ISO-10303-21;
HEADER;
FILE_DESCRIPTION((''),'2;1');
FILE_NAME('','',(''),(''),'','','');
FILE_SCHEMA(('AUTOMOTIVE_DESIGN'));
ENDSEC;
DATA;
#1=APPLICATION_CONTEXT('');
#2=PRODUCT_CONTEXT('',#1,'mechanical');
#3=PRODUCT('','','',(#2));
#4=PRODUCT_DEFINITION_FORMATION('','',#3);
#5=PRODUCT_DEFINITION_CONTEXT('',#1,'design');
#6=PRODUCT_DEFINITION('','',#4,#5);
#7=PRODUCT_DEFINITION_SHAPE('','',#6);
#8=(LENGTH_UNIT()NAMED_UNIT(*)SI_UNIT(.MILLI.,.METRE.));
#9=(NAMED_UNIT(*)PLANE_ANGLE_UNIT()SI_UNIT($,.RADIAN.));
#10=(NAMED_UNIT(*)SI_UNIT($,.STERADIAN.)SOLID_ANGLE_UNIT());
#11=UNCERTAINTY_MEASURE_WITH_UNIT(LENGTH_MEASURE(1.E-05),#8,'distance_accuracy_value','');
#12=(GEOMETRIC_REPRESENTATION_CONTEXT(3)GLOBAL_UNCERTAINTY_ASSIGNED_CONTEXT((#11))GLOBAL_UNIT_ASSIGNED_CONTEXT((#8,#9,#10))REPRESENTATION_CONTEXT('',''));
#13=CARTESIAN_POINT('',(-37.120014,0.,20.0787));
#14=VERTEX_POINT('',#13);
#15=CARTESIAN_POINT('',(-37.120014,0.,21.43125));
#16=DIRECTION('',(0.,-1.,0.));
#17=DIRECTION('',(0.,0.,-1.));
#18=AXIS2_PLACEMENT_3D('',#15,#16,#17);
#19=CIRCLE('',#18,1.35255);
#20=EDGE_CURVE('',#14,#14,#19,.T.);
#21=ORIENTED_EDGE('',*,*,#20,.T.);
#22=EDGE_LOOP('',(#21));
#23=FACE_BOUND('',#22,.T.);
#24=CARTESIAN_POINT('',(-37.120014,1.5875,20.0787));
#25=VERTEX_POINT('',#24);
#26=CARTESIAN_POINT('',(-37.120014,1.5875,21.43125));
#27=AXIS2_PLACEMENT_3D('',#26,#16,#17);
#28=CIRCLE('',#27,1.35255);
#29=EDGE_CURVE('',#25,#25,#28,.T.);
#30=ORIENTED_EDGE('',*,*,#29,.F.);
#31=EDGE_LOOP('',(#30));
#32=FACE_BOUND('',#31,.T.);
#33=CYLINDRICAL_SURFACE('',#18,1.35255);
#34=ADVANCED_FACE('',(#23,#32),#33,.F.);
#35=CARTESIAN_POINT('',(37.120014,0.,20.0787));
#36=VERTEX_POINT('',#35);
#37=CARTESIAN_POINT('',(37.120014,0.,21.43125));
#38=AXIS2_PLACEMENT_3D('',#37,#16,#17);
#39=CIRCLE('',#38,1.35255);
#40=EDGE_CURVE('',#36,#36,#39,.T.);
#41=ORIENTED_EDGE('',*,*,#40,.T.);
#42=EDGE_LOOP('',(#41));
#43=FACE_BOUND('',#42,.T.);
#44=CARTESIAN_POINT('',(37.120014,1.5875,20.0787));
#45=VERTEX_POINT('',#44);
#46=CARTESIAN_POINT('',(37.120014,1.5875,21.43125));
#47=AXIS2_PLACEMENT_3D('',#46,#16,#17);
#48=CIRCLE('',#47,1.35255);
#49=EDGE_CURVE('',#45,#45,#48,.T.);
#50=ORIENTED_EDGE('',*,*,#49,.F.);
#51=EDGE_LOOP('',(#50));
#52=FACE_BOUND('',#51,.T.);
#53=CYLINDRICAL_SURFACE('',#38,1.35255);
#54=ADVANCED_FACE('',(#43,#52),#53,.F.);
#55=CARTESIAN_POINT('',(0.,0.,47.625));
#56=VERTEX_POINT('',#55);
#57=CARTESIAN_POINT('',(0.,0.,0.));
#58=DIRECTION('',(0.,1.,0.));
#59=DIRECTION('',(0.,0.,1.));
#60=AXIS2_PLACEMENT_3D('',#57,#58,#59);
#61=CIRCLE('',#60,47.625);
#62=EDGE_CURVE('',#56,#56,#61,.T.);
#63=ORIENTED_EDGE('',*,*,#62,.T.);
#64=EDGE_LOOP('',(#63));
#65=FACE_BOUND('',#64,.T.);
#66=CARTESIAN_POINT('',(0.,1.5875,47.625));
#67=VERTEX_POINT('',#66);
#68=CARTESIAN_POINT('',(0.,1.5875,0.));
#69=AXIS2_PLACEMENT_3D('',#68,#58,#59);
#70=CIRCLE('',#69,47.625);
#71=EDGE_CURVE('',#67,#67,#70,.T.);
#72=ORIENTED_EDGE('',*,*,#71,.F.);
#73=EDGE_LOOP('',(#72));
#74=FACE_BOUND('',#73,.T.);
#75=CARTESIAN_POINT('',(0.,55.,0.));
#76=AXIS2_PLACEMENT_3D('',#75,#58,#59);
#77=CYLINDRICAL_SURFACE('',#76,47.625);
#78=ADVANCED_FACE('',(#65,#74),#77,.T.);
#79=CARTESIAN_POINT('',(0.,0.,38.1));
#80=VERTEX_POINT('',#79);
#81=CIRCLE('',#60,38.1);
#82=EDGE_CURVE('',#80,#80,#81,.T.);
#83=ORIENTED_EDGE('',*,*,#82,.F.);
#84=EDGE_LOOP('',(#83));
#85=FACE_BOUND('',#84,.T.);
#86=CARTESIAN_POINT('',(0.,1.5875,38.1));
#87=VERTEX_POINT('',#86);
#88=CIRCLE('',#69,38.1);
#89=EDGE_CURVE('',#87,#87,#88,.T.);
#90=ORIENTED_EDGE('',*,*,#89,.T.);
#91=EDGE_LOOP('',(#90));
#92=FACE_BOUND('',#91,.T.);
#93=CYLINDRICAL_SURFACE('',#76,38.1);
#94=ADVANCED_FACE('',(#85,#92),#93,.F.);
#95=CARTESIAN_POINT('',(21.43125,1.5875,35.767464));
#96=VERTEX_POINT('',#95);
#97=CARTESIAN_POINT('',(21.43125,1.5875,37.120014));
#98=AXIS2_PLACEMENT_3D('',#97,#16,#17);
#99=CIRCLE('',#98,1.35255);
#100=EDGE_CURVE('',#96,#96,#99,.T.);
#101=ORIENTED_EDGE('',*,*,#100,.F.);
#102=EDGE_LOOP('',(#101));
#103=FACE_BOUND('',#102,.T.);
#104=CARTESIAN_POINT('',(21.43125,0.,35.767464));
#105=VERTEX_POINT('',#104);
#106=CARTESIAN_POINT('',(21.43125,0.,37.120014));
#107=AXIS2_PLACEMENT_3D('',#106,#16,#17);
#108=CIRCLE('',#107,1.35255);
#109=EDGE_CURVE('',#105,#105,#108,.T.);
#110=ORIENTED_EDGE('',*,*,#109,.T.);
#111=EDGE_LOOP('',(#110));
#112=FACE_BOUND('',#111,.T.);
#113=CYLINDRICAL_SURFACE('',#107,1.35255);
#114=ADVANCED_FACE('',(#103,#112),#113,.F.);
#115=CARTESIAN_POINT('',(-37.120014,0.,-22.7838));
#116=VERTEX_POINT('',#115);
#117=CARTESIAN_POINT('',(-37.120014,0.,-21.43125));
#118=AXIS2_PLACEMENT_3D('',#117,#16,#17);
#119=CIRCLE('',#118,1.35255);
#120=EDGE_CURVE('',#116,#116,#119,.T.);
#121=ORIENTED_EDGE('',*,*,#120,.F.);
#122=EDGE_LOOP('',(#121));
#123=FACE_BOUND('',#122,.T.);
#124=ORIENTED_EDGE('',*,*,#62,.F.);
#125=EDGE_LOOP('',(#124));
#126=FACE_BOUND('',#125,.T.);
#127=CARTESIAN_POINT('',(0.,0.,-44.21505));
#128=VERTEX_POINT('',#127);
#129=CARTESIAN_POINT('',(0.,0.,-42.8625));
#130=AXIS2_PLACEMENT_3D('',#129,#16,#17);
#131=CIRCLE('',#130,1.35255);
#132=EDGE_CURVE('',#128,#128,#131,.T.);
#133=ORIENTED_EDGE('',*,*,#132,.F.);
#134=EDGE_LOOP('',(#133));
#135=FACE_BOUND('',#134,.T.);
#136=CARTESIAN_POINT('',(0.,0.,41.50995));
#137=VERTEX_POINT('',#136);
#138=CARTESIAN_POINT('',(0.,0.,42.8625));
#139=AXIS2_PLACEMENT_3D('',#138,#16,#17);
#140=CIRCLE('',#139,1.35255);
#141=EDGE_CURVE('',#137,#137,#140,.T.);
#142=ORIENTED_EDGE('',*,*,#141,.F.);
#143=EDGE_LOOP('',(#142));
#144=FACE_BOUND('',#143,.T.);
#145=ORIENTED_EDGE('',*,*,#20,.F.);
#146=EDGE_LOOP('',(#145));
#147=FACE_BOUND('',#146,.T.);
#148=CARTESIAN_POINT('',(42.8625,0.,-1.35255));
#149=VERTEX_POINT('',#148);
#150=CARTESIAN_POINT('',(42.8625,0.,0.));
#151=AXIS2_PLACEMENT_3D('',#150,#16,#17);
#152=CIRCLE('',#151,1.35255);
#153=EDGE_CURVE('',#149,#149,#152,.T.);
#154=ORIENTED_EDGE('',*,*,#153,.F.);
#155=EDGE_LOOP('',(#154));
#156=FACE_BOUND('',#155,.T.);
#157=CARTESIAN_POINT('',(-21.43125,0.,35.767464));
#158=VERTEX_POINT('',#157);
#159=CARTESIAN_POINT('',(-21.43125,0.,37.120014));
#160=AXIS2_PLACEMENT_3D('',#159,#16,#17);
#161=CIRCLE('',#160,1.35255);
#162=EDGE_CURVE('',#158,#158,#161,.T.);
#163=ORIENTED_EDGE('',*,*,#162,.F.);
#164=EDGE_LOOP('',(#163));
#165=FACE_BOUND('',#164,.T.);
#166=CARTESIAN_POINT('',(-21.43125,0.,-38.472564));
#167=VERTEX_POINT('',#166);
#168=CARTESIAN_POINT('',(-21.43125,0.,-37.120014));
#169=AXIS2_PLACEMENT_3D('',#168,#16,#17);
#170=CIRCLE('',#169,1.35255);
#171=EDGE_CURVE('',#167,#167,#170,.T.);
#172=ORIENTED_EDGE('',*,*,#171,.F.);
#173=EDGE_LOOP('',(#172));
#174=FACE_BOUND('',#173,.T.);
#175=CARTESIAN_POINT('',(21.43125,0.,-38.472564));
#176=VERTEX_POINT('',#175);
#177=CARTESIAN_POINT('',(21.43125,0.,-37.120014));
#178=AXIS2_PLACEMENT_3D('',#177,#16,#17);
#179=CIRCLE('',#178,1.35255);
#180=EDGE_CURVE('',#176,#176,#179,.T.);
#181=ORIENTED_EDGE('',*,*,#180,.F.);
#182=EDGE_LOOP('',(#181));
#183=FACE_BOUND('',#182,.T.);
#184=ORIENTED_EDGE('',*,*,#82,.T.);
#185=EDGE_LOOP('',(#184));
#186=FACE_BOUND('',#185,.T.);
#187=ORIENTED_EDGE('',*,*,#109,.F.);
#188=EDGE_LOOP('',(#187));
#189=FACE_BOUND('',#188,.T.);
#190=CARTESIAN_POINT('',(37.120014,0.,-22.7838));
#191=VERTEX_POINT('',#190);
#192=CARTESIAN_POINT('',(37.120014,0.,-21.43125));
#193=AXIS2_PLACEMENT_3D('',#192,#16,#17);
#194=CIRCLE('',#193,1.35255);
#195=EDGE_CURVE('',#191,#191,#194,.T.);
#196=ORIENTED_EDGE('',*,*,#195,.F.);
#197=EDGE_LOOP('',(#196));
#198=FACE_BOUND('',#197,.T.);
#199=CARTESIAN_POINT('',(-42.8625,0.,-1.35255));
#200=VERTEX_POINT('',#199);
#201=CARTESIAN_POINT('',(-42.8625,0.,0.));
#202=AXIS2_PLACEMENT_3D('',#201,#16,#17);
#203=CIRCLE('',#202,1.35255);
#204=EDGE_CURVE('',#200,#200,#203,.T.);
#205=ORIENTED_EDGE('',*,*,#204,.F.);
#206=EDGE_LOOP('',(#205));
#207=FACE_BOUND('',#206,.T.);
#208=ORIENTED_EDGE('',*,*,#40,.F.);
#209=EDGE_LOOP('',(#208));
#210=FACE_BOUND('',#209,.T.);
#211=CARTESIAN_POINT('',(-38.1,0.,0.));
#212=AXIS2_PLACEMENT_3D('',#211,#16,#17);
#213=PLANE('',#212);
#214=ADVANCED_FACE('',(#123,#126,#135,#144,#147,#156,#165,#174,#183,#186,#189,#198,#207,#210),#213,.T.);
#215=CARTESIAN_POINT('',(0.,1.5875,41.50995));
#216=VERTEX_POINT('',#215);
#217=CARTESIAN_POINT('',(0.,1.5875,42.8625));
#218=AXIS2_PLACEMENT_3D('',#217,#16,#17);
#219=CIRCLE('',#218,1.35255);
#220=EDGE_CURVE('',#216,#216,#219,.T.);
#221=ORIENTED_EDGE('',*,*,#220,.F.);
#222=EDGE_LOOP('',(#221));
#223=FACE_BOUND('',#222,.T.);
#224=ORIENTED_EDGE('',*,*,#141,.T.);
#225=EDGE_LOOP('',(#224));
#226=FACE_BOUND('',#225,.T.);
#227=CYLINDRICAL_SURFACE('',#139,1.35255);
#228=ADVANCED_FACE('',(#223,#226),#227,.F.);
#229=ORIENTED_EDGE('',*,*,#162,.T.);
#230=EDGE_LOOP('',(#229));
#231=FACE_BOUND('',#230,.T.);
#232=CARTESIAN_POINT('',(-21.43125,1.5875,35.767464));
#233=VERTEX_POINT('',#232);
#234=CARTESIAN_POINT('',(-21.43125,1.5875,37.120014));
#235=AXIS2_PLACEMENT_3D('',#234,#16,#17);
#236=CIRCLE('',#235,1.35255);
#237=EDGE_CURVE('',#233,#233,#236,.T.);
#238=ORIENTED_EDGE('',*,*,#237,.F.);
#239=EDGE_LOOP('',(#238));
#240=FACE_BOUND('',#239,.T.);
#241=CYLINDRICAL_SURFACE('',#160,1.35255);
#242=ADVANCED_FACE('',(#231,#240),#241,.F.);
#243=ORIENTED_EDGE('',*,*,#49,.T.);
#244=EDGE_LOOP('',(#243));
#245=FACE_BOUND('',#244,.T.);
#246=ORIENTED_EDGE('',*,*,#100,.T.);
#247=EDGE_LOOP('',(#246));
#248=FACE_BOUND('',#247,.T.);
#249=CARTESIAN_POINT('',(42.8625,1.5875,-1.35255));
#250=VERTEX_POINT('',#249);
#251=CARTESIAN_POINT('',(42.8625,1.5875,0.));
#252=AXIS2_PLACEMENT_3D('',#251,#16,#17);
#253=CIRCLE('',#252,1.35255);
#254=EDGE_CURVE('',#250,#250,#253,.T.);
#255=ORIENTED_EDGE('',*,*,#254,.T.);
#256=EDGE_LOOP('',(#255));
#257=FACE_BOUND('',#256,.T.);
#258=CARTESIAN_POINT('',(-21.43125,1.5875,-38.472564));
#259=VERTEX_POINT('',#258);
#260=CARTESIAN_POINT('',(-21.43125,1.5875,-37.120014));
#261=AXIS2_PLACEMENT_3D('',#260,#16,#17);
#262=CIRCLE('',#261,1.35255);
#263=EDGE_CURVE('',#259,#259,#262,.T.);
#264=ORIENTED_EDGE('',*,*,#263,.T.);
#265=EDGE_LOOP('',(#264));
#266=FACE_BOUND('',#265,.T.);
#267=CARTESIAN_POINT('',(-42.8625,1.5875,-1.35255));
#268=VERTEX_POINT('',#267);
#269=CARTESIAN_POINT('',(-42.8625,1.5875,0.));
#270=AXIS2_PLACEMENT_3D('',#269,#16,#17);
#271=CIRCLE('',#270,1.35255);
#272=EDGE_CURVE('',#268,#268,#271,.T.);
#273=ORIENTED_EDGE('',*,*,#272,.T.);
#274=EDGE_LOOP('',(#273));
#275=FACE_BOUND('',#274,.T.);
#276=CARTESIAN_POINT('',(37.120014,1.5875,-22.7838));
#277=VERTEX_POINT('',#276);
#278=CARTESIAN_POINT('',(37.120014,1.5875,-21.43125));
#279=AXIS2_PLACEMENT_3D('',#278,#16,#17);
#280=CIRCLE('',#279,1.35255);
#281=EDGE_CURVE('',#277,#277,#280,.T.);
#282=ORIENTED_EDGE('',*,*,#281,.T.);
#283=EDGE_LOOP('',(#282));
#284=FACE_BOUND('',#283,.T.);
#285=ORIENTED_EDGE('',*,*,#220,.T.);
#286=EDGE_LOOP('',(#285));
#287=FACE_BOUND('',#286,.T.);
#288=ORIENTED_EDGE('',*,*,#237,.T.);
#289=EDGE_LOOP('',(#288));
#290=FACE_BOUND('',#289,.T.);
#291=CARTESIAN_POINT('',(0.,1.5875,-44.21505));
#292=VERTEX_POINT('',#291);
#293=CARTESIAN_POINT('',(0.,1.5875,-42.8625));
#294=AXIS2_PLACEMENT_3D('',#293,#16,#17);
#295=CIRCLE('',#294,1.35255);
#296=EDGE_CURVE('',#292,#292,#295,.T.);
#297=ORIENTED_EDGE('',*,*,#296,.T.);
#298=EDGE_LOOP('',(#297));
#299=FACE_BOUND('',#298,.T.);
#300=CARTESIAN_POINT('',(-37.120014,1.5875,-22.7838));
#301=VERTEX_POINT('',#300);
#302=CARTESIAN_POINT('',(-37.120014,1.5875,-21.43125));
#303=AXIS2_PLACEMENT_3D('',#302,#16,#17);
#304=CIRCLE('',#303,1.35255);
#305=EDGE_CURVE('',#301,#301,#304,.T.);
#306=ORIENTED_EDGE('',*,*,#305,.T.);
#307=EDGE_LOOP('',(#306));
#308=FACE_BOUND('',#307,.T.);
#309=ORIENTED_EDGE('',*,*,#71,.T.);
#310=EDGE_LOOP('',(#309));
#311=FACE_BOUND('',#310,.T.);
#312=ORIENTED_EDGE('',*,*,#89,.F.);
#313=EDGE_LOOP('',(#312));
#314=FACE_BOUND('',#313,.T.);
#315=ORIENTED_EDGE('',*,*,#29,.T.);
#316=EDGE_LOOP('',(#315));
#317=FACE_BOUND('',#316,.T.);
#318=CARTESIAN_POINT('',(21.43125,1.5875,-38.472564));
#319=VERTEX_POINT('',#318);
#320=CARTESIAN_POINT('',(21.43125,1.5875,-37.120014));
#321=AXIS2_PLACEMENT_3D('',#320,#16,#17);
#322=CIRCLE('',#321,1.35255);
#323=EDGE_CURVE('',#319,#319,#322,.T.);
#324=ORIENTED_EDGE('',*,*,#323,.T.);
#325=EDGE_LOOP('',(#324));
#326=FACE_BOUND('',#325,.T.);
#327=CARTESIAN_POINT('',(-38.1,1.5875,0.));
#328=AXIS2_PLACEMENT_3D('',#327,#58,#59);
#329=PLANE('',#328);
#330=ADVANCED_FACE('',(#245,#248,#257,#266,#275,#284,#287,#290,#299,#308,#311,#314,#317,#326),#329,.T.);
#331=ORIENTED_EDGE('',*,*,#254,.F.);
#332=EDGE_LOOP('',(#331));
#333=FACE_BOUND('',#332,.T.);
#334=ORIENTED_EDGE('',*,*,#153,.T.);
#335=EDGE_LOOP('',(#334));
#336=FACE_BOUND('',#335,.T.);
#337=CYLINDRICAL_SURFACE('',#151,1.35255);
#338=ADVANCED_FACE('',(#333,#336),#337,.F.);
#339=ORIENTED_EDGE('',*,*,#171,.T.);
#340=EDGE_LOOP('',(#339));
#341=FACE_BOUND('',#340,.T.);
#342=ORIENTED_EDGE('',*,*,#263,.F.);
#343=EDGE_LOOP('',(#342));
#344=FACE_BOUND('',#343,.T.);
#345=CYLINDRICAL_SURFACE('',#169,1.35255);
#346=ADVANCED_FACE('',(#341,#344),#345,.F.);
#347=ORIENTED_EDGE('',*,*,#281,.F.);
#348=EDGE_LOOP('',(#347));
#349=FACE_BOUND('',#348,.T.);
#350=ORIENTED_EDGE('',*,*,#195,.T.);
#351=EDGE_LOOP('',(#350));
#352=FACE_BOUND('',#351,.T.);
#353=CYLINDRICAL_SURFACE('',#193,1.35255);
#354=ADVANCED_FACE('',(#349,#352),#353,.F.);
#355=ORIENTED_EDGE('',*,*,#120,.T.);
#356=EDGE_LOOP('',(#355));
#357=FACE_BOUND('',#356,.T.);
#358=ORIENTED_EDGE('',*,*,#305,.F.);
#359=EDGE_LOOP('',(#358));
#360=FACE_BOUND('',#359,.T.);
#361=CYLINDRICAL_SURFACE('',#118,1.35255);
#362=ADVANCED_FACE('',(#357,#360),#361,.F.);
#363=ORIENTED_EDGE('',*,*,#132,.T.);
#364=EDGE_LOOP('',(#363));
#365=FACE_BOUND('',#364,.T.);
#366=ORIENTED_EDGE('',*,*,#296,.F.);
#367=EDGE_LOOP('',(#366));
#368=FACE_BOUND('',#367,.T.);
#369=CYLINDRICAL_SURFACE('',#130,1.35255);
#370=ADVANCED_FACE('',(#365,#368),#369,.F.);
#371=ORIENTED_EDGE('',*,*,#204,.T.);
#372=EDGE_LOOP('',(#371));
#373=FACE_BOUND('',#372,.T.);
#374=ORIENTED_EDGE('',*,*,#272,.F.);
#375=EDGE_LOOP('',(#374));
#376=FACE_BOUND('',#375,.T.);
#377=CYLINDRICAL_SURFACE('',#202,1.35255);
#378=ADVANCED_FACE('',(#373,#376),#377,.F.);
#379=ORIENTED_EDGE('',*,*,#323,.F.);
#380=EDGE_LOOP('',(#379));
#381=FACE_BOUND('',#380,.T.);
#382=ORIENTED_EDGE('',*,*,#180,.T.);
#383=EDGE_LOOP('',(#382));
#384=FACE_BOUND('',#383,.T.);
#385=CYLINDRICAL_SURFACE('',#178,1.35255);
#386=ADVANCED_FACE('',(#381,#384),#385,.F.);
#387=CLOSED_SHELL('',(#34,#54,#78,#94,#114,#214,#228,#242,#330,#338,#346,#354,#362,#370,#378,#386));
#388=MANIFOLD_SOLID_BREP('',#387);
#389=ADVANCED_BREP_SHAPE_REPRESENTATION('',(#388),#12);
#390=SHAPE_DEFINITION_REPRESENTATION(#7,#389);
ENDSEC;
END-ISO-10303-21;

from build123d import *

# Parameters (mm, degrees)
SKETCH1_W                    = 9.525
SKETCH1_H                    = 1.5875
F_36_0_1065_DIAMETER_HOLE1_D = 2.7051
SCREW_PASSTHROUGHS_COUNT     = 12


with BuildPart() as part:
    # Sketch1 → Main (revolve)
    with BuildSketch(Plane.XY):
        with Locations((-42.8625, 0.79375)):
            Rectangle(SKETCH1_W, SKETCH1_H)
    revolve(axis=Axis((0, 55, 0), (0, -1, 0)))

    # #36 (0.1065) Diameter Hole1 (through all)
    with Locations(Plane(origin=(0, 0, 0), x_dir=(-1, 0, 0), z_dir=(0, -1, 0))):
        with Locations((42.8625, 0)):
            f_36_0_1065_diameter_hole1 = Hole(F_36_0_1065_DIAMETER_HOLE1_D / 2)

    # Screw Passthroughs: #36 (0.1065) Diameter Hole1 ×12 about axis
    screw_passthroughs_axis = Axis((0, 0, 0), (0, 1, 0))
    for i in range(1, SCREW_PASSTHROUGHS_COUNT):
        add(f_36_0_1065_diameter_hole1.rotate(screw_passthroughs_axis, i * 360 / SCREW_PASSTHROUGHS_COUNT), mode=Mode.SUBTRACT)


solid = part.part
